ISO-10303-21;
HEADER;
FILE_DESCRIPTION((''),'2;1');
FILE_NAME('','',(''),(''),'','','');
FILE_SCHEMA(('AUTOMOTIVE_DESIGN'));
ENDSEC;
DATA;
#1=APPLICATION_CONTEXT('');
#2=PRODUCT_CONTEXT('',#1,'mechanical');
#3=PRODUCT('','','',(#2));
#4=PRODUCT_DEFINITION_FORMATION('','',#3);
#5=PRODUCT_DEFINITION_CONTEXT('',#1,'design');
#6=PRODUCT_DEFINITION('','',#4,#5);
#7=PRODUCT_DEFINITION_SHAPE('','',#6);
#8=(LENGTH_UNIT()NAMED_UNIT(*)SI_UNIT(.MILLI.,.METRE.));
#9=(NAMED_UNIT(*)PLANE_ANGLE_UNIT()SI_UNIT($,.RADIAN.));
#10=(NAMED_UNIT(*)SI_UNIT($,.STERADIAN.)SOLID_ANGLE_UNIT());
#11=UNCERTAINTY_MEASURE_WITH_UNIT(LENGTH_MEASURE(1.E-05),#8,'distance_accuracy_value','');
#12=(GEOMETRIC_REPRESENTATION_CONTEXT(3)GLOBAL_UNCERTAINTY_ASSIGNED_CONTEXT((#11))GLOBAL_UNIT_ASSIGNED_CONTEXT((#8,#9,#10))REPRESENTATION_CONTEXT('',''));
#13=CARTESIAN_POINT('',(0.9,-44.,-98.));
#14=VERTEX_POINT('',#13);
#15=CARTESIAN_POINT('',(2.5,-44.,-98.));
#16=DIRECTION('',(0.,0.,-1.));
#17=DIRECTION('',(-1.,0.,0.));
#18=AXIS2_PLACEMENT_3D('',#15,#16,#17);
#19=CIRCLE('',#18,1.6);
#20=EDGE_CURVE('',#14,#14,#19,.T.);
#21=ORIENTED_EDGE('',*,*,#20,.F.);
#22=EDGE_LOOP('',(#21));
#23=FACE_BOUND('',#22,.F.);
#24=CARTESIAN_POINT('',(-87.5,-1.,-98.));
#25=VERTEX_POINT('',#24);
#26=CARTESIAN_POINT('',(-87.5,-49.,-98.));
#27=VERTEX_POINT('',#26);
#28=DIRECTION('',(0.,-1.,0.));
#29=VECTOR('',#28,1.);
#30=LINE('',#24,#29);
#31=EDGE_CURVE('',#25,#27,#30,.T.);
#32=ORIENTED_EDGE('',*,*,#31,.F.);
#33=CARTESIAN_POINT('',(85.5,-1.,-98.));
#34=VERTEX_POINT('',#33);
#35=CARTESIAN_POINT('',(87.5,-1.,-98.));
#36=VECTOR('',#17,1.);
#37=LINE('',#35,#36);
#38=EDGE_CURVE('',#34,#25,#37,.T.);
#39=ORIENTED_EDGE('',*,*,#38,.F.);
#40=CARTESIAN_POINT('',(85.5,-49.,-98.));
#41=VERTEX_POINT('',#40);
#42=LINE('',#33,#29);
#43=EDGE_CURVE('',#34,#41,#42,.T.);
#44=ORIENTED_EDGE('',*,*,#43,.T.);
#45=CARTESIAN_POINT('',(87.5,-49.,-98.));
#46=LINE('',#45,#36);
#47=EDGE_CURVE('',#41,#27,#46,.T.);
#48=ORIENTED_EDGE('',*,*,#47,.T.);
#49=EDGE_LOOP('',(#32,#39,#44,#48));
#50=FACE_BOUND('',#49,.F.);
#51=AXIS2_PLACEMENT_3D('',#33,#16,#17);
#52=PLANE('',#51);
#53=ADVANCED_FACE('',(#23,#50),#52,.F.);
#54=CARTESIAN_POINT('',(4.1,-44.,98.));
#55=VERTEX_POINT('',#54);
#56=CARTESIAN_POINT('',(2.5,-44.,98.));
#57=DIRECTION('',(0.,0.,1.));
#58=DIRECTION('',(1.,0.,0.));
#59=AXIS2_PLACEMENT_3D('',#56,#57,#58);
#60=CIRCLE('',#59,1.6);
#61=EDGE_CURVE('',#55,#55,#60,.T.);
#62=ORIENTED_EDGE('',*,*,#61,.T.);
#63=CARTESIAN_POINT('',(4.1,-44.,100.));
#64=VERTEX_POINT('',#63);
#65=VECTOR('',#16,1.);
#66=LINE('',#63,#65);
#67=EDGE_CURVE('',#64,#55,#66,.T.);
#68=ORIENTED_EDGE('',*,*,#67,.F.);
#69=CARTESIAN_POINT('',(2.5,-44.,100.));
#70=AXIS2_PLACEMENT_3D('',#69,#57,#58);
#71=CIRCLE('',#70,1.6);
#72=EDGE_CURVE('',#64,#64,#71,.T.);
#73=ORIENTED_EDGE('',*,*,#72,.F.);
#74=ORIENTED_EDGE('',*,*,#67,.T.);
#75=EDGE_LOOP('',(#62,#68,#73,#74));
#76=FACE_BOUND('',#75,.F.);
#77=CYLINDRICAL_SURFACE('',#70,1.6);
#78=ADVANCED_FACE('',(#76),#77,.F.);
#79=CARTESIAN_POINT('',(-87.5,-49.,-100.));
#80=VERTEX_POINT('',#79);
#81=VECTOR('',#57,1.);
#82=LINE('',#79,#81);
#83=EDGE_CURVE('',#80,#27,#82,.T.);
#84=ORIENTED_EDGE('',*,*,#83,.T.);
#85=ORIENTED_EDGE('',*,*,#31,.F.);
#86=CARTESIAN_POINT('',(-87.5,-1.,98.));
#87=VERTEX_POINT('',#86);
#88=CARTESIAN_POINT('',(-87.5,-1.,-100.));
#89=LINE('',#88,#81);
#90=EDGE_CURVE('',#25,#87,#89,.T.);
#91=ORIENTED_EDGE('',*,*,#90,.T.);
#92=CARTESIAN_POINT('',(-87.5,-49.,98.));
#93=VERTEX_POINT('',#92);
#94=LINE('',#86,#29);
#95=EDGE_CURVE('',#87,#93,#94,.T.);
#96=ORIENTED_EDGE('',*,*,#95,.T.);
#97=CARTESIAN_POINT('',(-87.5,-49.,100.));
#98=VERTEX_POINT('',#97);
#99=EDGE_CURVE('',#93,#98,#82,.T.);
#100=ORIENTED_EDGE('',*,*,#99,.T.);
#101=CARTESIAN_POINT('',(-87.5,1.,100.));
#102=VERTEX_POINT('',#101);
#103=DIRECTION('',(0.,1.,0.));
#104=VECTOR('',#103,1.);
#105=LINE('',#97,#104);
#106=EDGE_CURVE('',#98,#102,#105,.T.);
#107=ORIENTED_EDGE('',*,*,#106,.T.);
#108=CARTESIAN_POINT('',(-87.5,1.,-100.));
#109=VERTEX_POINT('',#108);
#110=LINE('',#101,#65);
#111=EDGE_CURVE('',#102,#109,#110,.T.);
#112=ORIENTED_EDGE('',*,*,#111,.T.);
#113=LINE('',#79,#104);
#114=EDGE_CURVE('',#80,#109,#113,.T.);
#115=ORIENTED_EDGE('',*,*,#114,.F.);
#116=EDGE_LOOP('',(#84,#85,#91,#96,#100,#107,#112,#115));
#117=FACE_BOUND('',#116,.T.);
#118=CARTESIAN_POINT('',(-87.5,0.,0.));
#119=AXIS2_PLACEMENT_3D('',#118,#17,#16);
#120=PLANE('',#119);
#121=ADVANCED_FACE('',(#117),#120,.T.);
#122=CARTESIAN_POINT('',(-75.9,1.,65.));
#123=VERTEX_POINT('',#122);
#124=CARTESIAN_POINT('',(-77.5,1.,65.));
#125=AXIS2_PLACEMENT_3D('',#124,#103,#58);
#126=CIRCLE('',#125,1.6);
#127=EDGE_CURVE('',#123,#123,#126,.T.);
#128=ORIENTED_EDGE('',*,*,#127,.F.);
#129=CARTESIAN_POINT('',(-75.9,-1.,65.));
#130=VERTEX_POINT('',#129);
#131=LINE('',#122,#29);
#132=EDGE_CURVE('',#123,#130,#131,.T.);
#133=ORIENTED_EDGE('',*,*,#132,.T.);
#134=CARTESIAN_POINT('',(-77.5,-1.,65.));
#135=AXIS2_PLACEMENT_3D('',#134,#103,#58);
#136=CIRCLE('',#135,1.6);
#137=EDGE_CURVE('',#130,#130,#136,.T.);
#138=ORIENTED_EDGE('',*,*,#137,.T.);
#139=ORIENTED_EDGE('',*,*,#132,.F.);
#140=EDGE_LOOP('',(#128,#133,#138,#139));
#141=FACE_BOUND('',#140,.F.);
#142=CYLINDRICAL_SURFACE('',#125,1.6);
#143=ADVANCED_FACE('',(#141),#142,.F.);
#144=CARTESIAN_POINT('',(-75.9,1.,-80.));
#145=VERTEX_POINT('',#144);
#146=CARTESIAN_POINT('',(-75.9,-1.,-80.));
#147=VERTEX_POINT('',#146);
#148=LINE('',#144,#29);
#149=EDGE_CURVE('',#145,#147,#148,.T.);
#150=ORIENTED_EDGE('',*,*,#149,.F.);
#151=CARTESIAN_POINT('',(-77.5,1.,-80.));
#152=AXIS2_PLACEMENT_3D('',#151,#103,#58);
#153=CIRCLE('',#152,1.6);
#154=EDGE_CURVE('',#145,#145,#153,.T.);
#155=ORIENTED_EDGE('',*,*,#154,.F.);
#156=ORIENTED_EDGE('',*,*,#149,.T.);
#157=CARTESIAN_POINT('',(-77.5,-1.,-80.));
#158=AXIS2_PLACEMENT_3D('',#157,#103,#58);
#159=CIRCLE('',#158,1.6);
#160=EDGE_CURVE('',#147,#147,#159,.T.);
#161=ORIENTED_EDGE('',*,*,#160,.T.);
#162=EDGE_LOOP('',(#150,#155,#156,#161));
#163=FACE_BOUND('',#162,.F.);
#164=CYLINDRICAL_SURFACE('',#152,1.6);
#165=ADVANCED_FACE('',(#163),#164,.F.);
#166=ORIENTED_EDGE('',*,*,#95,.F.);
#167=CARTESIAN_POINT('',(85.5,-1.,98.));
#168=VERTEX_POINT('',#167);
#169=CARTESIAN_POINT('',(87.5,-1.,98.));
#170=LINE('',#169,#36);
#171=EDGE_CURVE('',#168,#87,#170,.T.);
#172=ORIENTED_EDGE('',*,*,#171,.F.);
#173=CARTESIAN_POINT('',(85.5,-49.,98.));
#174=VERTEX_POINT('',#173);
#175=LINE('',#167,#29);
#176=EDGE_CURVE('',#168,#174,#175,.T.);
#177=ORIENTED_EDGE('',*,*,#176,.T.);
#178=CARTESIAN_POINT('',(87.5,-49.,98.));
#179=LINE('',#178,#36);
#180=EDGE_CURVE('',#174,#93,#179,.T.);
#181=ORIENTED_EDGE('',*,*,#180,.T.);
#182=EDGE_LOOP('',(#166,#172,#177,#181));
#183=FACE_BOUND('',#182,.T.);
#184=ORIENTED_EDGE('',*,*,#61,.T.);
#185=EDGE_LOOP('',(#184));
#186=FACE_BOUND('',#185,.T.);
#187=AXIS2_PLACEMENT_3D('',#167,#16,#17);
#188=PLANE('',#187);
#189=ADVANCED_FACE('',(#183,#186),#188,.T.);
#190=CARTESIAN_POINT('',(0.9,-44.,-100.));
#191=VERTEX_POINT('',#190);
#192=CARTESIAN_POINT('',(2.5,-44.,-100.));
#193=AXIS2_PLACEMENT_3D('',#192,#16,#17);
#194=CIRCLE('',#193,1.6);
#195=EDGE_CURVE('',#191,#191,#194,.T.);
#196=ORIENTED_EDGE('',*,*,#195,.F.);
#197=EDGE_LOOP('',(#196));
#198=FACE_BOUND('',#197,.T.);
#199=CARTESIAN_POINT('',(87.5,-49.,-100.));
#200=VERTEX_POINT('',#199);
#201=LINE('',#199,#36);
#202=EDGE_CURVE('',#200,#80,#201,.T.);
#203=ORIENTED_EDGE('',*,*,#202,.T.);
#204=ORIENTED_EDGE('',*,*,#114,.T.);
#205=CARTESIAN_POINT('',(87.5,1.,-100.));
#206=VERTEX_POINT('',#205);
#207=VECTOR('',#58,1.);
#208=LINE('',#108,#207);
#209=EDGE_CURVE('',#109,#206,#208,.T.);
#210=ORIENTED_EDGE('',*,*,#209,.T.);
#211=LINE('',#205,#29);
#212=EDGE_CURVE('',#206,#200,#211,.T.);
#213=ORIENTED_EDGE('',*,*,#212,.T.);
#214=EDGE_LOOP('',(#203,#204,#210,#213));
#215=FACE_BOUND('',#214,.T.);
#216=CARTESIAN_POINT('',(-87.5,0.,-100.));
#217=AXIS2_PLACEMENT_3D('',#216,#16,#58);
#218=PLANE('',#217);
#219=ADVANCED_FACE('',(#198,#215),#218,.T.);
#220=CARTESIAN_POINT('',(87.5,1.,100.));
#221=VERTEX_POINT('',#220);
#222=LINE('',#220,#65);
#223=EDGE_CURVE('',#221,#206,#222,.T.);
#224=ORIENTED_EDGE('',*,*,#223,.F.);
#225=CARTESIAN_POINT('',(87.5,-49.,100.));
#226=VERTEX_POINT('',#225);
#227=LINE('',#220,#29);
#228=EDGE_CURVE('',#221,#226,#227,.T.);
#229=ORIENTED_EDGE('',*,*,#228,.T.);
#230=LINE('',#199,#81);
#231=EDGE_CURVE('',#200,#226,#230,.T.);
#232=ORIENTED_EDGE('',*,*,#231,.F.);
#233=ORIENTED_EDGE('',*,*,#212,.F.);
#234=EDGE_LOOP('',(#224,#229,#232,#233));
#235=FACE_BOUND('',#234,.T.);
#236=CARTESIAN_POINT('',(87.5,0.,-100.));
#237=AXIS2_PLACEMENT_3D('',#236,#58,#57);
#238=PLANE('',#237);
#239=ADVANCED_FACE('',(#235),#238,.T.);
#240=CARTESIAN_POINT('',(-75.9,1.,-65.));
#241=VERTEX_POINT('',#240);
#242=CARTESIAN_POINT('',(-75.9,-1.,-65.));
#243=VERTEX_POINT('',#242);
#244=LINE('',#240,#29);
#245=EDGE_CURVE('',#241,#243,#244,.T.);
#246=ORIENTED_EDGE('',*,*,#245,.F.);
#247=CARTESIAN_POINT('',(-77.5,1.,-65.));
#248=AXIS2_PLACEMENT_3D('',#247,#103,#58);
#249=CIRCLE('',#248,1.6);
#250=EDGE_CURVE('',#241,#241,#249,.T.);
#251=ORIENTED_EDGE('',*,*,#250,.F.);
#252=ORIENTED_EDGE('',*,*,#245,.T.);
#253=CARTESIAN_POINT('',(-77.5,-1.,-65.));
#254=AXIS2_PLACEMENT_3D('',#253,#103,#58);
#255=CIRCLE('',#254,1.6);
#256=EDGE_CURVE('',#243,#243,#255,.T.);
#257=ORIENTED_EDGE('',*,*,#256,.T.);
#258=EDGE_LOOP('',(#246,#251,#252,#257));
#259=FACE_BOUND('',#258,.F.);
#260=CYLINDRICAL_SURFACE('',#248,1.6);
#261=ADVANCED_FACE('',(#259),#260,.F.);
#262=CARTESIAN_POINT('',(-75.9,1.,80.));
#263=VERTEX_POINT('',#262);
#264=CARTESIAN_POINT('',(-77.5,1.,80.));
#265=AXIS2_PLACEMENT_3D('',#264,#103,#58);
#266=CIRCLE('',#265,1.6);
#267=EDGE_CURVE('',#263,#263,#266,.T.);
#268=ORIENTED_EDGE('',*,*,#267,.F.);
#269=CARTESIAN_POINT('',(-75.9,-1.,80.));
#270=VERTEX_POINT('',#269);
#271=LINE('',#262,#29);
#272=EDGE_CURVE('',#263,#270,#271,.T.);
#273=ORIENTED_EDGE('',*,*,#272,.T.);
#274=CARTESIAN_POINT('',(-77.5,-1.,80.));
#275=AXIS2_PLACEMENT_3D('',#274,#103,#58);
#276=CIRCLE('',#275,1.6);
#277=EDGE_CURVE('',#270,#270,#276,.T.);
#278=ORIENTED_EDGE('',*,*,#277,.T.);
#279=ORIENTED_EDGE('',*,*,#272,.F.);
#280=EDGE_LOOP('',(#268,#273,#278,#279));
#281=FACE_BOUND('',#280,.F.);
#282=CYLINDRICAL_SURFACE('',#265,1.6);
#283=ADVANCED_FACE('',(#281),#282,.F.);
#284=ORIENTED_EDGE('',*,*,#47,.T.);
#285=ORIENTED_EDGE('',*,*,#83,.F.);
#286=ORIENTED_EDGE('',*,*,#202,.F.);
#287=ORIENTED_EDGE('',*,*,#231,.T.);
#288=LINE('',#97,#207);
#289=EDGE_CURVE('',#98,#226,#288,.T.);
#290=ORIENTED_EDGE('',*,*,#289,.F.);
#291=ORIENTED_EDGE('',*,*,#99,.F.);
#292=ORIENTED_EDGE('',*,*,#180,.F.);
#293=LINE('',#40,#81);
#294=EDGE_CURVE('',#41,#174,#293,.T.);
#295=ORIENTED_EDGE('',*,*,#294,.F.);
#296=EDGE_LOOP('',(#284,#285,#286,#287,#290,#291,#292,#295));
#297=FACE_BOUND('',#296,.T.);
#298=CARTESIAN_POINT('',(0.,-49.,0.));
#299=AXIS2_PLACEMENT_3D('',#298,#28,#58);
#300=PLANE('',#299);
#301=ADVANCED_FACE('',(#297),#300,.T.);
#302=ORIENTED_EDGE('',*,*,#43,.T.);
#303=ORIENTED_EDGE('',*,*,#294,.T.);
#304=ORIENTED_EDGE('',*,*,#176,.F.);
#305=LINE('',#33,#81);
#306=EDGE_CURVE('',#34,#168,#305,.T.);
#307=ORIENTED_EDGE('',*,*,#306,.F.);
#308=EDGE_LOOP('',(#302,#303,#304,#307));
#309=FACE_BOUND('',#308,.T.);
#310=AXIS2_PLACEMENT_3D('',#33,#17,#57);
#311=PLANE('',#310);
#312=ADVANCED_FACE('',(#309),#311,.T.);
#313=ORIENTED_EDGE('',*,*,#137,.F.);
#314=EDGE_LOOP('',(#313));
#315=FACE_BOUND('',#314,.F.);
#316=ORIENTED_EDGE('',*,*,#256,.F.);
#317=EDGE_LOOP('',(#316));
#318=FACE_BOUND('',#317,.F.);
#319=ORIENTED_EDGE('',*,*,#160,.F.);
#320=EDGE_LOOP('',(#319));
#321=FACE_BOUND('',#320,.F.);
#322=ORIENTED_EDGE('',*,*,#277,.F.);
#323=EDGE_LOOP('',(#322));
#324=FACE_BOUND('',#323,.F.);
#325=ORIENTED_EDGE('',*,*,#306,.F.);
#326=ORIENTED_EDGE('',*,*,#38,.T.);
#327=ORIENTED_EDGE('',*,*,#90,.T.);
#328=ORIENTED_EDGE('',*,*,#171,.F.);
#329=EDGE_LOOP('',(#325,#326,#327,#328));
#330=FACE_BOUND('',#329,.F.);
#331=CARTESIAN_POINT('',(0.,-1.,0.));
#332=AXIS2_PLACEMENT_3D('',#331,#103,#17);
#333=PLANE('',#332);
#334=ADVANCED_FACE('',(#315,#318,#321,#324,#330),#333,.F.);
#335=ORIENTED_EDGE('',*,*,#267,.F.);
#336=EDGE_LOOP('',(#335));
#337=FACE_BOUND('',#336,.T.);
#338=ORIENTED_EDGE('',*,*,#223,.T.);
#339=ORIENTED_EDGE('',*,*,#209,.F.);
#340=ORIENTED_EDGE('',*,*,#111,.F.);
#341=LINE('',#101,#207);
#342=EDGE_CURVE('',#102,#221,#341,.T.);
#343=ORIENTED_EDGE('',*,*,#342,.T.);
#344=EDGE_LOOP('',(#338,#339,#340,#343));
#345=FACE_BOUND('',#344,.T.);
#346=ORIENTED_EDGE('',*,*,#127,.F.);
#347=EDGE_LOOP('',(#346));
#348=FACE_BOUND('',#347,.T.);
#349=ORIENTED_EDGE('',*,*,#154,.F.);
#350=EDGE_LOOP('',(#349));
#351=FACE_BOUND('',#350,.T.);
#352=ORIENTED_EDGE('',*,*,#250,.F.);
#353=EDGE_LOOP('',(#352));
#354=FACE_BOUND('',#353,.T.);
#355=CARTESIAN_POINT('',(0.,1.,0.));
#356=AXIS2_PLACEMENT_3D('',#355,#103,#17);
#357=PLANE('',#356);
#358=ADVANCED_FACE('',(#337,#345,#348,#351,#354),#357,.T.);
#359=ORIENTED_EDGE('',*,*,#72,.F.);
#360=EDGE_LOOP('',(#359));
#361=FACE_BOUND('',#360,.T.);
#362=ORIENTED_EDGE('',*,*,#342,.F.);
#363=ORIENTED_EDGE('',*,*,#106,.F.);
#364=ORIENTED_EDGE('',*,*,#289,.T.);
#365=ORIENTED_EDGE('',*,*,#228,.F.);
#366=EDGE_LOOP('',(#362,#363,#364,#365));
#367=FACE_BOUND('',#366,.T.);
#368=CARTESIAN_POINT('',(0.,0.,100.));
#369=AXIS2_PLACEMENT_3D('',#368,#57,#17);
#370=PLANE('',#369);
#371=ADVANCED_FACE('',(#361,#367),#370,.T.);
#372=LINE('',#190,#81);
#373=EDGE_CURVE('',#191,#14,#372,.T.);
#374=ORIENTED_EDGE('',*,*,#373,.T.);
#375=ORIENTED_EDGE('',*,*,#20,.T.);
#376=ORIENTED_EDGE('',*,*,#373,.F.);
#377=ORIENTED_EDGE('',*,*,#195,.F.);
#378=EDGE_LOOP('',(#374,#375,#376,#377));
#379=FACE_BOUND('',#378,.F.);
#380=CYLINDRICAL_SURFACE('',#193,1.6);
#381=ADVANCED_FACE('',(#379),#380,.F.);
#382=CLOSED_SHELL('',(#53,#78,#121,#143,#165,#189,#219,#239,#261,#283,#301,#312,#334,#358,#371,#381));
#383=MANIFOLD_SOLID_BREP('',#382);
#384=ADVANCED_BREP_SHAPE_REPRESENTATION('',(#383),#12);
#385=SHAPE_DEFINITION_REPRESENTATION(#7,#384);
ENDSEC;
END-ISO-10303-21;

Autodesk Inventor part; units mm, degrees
ref_plane "YZ Plane" through (0, 0, 0) normal (1, 0, 0) x (0, 1, 0)
ref_plane "XZ Plane" through (0, 0, 0) normal (0, 1, 0) x (-1, 0, 0)
ref_plane "XY Plane" through (0, 0, 0) normal (0, 0, 1) x (1, 0, 0)
sketch "Skizze1" plane through (0, 0, 0) normal (0, 1, 0) x (-1, 0, 0)
  line L0 (87.5, -100) -> (-87.5, -100)
  line L1 (-87.5, -100) -> (-87.5, 100)
  line L2 (-87.5, 100) -> (87.5, 100)
  line L3 (87.5, 100) -> (87.5, -100)
  line L4 (0, -140) -> (0, 140) projected
  line L5 (-122.5, 0) -> (122.5, 0) projected
  point P0 (0, 0)
  dimension "d0" = 175
  dimension "d1" = 200
extrude "Extrusion1" add sketch "Skizze1" along normal mid plane 2
sketch "Skizze2" plane through (0, -1, 0) normal (0, -1, 0) x (1, 0, 0)
  line L0 (-87.5, -100) -> (-87.5, 100) projected
  line L1 (87.5, 100) -> (87.5, -100) projected
  line L2 (-87.5, 100) -> (87.5, 100)
  line L3 (87.5, 100) -> (87.5, 98)
  line L4 (87.5, 98) -> (-87.5, 98)
  line L5 (-87.5, 98) -> (-87.5, 100)
  line L6 (87.5, -100) -> (-87.5, -100) projected
  line L7 (-87.5, -100) -> (87.5, -100)
  line L8 (87.5, -100) -> (87.5, -98)
  line L9 (87.5, -98) -> (-87.5, -98)
  line L10 (-87.5, -98) -> (-87.5, -100)
  line L11 (87.5, -98) -> (85.5, -98)
  line L12 (85.5, -98) -> (85.5, 98)
  line L13 (85.5, 98) -> (87.5, 98)
  line L14 (87.5, 98) -> (87.5, -98)
  point P0 (0, 0)
  dimension "d4" = 2
  dimension "d5" = 2
  dimension "d6" = 2
extrude "Extrusion2" add sketch "Skizze2" along normal blind 48 contours L0 L9 L1 L6 | L0 L2 L1 L4 | L12 L4 L1 L9
sketch "Skizze3" plane through (0, 1, 0) normal (0, 1, 0) x (1, 0, 0)
  circle A0 centre (-77.5, -80) radius 1.6
  circle A1 centre (-77.5, -65) radius 1.6
  circle A2 centre (-77.5, 80) radius 1.6
  circle A3 centre (-77.5, 65) radius 1.6
  line L0 (-87.5, 100) -> (-87.5, -100) projected
  line L1 (-87.5, -100) -> (87.5, -100) projected
  line L2 (87.5, 100) -> (-87.5, 100) projected
  point P0 (0, 0)
  dimension "d9" = 3.2
  dimension "d10" = 3.2
  dimension "d11" = 3.2
  dimension "d12" = 3.2
  dimension "d13" = 10
  dimension "d14" = 10
  dimension "d15" = 15
  dimension "d16" = 20
  dimension "d17" = 10
  dimension "d18" = 10
  dimension "d19" = 20
  dimension "d20" = 15
extrude "Extrusion3" cut sketch "Skizze3" against normal up to surface (2 mm away)
sketch "Skizze4" plane through (-87.5, 1, 100) normal (0, 0, 1) x (1, 0, 0)
  circle A0 centre (90, -45) radius 1.6
  line L0 (175, -50) -> (175, 0) projected
  line L1 (175, -50) -> (0, -50) projected
  point P0 (87.5, -1)
  dimension "d23" = 3.2
  dimension "d24" = 85
  dimension "d25" = 5
extrude "Extrusion4" cut sketch "Skizze4" against normal up to surface (2 mm away)
sketch "Skizze5" plane through (87.5, 1, -100) normal (0, 0, -1) x (-1, 0, 0)
  circle A0 centre (85, -45) radius 1.6
  line L0 (175, -50) -> (0, -50) projected
  line L1 (0, -50) -> (0, 0) projected
  point P0 (87.5, -1)
  dimension "d28" = 3.2
  dimension "d29" = 5
  dimension "d30" = 85
extrude "Extrusion5" cut sketch "Skizze5" against normal up to surface (2 mm away)
properties part number "_3D-Druck"
